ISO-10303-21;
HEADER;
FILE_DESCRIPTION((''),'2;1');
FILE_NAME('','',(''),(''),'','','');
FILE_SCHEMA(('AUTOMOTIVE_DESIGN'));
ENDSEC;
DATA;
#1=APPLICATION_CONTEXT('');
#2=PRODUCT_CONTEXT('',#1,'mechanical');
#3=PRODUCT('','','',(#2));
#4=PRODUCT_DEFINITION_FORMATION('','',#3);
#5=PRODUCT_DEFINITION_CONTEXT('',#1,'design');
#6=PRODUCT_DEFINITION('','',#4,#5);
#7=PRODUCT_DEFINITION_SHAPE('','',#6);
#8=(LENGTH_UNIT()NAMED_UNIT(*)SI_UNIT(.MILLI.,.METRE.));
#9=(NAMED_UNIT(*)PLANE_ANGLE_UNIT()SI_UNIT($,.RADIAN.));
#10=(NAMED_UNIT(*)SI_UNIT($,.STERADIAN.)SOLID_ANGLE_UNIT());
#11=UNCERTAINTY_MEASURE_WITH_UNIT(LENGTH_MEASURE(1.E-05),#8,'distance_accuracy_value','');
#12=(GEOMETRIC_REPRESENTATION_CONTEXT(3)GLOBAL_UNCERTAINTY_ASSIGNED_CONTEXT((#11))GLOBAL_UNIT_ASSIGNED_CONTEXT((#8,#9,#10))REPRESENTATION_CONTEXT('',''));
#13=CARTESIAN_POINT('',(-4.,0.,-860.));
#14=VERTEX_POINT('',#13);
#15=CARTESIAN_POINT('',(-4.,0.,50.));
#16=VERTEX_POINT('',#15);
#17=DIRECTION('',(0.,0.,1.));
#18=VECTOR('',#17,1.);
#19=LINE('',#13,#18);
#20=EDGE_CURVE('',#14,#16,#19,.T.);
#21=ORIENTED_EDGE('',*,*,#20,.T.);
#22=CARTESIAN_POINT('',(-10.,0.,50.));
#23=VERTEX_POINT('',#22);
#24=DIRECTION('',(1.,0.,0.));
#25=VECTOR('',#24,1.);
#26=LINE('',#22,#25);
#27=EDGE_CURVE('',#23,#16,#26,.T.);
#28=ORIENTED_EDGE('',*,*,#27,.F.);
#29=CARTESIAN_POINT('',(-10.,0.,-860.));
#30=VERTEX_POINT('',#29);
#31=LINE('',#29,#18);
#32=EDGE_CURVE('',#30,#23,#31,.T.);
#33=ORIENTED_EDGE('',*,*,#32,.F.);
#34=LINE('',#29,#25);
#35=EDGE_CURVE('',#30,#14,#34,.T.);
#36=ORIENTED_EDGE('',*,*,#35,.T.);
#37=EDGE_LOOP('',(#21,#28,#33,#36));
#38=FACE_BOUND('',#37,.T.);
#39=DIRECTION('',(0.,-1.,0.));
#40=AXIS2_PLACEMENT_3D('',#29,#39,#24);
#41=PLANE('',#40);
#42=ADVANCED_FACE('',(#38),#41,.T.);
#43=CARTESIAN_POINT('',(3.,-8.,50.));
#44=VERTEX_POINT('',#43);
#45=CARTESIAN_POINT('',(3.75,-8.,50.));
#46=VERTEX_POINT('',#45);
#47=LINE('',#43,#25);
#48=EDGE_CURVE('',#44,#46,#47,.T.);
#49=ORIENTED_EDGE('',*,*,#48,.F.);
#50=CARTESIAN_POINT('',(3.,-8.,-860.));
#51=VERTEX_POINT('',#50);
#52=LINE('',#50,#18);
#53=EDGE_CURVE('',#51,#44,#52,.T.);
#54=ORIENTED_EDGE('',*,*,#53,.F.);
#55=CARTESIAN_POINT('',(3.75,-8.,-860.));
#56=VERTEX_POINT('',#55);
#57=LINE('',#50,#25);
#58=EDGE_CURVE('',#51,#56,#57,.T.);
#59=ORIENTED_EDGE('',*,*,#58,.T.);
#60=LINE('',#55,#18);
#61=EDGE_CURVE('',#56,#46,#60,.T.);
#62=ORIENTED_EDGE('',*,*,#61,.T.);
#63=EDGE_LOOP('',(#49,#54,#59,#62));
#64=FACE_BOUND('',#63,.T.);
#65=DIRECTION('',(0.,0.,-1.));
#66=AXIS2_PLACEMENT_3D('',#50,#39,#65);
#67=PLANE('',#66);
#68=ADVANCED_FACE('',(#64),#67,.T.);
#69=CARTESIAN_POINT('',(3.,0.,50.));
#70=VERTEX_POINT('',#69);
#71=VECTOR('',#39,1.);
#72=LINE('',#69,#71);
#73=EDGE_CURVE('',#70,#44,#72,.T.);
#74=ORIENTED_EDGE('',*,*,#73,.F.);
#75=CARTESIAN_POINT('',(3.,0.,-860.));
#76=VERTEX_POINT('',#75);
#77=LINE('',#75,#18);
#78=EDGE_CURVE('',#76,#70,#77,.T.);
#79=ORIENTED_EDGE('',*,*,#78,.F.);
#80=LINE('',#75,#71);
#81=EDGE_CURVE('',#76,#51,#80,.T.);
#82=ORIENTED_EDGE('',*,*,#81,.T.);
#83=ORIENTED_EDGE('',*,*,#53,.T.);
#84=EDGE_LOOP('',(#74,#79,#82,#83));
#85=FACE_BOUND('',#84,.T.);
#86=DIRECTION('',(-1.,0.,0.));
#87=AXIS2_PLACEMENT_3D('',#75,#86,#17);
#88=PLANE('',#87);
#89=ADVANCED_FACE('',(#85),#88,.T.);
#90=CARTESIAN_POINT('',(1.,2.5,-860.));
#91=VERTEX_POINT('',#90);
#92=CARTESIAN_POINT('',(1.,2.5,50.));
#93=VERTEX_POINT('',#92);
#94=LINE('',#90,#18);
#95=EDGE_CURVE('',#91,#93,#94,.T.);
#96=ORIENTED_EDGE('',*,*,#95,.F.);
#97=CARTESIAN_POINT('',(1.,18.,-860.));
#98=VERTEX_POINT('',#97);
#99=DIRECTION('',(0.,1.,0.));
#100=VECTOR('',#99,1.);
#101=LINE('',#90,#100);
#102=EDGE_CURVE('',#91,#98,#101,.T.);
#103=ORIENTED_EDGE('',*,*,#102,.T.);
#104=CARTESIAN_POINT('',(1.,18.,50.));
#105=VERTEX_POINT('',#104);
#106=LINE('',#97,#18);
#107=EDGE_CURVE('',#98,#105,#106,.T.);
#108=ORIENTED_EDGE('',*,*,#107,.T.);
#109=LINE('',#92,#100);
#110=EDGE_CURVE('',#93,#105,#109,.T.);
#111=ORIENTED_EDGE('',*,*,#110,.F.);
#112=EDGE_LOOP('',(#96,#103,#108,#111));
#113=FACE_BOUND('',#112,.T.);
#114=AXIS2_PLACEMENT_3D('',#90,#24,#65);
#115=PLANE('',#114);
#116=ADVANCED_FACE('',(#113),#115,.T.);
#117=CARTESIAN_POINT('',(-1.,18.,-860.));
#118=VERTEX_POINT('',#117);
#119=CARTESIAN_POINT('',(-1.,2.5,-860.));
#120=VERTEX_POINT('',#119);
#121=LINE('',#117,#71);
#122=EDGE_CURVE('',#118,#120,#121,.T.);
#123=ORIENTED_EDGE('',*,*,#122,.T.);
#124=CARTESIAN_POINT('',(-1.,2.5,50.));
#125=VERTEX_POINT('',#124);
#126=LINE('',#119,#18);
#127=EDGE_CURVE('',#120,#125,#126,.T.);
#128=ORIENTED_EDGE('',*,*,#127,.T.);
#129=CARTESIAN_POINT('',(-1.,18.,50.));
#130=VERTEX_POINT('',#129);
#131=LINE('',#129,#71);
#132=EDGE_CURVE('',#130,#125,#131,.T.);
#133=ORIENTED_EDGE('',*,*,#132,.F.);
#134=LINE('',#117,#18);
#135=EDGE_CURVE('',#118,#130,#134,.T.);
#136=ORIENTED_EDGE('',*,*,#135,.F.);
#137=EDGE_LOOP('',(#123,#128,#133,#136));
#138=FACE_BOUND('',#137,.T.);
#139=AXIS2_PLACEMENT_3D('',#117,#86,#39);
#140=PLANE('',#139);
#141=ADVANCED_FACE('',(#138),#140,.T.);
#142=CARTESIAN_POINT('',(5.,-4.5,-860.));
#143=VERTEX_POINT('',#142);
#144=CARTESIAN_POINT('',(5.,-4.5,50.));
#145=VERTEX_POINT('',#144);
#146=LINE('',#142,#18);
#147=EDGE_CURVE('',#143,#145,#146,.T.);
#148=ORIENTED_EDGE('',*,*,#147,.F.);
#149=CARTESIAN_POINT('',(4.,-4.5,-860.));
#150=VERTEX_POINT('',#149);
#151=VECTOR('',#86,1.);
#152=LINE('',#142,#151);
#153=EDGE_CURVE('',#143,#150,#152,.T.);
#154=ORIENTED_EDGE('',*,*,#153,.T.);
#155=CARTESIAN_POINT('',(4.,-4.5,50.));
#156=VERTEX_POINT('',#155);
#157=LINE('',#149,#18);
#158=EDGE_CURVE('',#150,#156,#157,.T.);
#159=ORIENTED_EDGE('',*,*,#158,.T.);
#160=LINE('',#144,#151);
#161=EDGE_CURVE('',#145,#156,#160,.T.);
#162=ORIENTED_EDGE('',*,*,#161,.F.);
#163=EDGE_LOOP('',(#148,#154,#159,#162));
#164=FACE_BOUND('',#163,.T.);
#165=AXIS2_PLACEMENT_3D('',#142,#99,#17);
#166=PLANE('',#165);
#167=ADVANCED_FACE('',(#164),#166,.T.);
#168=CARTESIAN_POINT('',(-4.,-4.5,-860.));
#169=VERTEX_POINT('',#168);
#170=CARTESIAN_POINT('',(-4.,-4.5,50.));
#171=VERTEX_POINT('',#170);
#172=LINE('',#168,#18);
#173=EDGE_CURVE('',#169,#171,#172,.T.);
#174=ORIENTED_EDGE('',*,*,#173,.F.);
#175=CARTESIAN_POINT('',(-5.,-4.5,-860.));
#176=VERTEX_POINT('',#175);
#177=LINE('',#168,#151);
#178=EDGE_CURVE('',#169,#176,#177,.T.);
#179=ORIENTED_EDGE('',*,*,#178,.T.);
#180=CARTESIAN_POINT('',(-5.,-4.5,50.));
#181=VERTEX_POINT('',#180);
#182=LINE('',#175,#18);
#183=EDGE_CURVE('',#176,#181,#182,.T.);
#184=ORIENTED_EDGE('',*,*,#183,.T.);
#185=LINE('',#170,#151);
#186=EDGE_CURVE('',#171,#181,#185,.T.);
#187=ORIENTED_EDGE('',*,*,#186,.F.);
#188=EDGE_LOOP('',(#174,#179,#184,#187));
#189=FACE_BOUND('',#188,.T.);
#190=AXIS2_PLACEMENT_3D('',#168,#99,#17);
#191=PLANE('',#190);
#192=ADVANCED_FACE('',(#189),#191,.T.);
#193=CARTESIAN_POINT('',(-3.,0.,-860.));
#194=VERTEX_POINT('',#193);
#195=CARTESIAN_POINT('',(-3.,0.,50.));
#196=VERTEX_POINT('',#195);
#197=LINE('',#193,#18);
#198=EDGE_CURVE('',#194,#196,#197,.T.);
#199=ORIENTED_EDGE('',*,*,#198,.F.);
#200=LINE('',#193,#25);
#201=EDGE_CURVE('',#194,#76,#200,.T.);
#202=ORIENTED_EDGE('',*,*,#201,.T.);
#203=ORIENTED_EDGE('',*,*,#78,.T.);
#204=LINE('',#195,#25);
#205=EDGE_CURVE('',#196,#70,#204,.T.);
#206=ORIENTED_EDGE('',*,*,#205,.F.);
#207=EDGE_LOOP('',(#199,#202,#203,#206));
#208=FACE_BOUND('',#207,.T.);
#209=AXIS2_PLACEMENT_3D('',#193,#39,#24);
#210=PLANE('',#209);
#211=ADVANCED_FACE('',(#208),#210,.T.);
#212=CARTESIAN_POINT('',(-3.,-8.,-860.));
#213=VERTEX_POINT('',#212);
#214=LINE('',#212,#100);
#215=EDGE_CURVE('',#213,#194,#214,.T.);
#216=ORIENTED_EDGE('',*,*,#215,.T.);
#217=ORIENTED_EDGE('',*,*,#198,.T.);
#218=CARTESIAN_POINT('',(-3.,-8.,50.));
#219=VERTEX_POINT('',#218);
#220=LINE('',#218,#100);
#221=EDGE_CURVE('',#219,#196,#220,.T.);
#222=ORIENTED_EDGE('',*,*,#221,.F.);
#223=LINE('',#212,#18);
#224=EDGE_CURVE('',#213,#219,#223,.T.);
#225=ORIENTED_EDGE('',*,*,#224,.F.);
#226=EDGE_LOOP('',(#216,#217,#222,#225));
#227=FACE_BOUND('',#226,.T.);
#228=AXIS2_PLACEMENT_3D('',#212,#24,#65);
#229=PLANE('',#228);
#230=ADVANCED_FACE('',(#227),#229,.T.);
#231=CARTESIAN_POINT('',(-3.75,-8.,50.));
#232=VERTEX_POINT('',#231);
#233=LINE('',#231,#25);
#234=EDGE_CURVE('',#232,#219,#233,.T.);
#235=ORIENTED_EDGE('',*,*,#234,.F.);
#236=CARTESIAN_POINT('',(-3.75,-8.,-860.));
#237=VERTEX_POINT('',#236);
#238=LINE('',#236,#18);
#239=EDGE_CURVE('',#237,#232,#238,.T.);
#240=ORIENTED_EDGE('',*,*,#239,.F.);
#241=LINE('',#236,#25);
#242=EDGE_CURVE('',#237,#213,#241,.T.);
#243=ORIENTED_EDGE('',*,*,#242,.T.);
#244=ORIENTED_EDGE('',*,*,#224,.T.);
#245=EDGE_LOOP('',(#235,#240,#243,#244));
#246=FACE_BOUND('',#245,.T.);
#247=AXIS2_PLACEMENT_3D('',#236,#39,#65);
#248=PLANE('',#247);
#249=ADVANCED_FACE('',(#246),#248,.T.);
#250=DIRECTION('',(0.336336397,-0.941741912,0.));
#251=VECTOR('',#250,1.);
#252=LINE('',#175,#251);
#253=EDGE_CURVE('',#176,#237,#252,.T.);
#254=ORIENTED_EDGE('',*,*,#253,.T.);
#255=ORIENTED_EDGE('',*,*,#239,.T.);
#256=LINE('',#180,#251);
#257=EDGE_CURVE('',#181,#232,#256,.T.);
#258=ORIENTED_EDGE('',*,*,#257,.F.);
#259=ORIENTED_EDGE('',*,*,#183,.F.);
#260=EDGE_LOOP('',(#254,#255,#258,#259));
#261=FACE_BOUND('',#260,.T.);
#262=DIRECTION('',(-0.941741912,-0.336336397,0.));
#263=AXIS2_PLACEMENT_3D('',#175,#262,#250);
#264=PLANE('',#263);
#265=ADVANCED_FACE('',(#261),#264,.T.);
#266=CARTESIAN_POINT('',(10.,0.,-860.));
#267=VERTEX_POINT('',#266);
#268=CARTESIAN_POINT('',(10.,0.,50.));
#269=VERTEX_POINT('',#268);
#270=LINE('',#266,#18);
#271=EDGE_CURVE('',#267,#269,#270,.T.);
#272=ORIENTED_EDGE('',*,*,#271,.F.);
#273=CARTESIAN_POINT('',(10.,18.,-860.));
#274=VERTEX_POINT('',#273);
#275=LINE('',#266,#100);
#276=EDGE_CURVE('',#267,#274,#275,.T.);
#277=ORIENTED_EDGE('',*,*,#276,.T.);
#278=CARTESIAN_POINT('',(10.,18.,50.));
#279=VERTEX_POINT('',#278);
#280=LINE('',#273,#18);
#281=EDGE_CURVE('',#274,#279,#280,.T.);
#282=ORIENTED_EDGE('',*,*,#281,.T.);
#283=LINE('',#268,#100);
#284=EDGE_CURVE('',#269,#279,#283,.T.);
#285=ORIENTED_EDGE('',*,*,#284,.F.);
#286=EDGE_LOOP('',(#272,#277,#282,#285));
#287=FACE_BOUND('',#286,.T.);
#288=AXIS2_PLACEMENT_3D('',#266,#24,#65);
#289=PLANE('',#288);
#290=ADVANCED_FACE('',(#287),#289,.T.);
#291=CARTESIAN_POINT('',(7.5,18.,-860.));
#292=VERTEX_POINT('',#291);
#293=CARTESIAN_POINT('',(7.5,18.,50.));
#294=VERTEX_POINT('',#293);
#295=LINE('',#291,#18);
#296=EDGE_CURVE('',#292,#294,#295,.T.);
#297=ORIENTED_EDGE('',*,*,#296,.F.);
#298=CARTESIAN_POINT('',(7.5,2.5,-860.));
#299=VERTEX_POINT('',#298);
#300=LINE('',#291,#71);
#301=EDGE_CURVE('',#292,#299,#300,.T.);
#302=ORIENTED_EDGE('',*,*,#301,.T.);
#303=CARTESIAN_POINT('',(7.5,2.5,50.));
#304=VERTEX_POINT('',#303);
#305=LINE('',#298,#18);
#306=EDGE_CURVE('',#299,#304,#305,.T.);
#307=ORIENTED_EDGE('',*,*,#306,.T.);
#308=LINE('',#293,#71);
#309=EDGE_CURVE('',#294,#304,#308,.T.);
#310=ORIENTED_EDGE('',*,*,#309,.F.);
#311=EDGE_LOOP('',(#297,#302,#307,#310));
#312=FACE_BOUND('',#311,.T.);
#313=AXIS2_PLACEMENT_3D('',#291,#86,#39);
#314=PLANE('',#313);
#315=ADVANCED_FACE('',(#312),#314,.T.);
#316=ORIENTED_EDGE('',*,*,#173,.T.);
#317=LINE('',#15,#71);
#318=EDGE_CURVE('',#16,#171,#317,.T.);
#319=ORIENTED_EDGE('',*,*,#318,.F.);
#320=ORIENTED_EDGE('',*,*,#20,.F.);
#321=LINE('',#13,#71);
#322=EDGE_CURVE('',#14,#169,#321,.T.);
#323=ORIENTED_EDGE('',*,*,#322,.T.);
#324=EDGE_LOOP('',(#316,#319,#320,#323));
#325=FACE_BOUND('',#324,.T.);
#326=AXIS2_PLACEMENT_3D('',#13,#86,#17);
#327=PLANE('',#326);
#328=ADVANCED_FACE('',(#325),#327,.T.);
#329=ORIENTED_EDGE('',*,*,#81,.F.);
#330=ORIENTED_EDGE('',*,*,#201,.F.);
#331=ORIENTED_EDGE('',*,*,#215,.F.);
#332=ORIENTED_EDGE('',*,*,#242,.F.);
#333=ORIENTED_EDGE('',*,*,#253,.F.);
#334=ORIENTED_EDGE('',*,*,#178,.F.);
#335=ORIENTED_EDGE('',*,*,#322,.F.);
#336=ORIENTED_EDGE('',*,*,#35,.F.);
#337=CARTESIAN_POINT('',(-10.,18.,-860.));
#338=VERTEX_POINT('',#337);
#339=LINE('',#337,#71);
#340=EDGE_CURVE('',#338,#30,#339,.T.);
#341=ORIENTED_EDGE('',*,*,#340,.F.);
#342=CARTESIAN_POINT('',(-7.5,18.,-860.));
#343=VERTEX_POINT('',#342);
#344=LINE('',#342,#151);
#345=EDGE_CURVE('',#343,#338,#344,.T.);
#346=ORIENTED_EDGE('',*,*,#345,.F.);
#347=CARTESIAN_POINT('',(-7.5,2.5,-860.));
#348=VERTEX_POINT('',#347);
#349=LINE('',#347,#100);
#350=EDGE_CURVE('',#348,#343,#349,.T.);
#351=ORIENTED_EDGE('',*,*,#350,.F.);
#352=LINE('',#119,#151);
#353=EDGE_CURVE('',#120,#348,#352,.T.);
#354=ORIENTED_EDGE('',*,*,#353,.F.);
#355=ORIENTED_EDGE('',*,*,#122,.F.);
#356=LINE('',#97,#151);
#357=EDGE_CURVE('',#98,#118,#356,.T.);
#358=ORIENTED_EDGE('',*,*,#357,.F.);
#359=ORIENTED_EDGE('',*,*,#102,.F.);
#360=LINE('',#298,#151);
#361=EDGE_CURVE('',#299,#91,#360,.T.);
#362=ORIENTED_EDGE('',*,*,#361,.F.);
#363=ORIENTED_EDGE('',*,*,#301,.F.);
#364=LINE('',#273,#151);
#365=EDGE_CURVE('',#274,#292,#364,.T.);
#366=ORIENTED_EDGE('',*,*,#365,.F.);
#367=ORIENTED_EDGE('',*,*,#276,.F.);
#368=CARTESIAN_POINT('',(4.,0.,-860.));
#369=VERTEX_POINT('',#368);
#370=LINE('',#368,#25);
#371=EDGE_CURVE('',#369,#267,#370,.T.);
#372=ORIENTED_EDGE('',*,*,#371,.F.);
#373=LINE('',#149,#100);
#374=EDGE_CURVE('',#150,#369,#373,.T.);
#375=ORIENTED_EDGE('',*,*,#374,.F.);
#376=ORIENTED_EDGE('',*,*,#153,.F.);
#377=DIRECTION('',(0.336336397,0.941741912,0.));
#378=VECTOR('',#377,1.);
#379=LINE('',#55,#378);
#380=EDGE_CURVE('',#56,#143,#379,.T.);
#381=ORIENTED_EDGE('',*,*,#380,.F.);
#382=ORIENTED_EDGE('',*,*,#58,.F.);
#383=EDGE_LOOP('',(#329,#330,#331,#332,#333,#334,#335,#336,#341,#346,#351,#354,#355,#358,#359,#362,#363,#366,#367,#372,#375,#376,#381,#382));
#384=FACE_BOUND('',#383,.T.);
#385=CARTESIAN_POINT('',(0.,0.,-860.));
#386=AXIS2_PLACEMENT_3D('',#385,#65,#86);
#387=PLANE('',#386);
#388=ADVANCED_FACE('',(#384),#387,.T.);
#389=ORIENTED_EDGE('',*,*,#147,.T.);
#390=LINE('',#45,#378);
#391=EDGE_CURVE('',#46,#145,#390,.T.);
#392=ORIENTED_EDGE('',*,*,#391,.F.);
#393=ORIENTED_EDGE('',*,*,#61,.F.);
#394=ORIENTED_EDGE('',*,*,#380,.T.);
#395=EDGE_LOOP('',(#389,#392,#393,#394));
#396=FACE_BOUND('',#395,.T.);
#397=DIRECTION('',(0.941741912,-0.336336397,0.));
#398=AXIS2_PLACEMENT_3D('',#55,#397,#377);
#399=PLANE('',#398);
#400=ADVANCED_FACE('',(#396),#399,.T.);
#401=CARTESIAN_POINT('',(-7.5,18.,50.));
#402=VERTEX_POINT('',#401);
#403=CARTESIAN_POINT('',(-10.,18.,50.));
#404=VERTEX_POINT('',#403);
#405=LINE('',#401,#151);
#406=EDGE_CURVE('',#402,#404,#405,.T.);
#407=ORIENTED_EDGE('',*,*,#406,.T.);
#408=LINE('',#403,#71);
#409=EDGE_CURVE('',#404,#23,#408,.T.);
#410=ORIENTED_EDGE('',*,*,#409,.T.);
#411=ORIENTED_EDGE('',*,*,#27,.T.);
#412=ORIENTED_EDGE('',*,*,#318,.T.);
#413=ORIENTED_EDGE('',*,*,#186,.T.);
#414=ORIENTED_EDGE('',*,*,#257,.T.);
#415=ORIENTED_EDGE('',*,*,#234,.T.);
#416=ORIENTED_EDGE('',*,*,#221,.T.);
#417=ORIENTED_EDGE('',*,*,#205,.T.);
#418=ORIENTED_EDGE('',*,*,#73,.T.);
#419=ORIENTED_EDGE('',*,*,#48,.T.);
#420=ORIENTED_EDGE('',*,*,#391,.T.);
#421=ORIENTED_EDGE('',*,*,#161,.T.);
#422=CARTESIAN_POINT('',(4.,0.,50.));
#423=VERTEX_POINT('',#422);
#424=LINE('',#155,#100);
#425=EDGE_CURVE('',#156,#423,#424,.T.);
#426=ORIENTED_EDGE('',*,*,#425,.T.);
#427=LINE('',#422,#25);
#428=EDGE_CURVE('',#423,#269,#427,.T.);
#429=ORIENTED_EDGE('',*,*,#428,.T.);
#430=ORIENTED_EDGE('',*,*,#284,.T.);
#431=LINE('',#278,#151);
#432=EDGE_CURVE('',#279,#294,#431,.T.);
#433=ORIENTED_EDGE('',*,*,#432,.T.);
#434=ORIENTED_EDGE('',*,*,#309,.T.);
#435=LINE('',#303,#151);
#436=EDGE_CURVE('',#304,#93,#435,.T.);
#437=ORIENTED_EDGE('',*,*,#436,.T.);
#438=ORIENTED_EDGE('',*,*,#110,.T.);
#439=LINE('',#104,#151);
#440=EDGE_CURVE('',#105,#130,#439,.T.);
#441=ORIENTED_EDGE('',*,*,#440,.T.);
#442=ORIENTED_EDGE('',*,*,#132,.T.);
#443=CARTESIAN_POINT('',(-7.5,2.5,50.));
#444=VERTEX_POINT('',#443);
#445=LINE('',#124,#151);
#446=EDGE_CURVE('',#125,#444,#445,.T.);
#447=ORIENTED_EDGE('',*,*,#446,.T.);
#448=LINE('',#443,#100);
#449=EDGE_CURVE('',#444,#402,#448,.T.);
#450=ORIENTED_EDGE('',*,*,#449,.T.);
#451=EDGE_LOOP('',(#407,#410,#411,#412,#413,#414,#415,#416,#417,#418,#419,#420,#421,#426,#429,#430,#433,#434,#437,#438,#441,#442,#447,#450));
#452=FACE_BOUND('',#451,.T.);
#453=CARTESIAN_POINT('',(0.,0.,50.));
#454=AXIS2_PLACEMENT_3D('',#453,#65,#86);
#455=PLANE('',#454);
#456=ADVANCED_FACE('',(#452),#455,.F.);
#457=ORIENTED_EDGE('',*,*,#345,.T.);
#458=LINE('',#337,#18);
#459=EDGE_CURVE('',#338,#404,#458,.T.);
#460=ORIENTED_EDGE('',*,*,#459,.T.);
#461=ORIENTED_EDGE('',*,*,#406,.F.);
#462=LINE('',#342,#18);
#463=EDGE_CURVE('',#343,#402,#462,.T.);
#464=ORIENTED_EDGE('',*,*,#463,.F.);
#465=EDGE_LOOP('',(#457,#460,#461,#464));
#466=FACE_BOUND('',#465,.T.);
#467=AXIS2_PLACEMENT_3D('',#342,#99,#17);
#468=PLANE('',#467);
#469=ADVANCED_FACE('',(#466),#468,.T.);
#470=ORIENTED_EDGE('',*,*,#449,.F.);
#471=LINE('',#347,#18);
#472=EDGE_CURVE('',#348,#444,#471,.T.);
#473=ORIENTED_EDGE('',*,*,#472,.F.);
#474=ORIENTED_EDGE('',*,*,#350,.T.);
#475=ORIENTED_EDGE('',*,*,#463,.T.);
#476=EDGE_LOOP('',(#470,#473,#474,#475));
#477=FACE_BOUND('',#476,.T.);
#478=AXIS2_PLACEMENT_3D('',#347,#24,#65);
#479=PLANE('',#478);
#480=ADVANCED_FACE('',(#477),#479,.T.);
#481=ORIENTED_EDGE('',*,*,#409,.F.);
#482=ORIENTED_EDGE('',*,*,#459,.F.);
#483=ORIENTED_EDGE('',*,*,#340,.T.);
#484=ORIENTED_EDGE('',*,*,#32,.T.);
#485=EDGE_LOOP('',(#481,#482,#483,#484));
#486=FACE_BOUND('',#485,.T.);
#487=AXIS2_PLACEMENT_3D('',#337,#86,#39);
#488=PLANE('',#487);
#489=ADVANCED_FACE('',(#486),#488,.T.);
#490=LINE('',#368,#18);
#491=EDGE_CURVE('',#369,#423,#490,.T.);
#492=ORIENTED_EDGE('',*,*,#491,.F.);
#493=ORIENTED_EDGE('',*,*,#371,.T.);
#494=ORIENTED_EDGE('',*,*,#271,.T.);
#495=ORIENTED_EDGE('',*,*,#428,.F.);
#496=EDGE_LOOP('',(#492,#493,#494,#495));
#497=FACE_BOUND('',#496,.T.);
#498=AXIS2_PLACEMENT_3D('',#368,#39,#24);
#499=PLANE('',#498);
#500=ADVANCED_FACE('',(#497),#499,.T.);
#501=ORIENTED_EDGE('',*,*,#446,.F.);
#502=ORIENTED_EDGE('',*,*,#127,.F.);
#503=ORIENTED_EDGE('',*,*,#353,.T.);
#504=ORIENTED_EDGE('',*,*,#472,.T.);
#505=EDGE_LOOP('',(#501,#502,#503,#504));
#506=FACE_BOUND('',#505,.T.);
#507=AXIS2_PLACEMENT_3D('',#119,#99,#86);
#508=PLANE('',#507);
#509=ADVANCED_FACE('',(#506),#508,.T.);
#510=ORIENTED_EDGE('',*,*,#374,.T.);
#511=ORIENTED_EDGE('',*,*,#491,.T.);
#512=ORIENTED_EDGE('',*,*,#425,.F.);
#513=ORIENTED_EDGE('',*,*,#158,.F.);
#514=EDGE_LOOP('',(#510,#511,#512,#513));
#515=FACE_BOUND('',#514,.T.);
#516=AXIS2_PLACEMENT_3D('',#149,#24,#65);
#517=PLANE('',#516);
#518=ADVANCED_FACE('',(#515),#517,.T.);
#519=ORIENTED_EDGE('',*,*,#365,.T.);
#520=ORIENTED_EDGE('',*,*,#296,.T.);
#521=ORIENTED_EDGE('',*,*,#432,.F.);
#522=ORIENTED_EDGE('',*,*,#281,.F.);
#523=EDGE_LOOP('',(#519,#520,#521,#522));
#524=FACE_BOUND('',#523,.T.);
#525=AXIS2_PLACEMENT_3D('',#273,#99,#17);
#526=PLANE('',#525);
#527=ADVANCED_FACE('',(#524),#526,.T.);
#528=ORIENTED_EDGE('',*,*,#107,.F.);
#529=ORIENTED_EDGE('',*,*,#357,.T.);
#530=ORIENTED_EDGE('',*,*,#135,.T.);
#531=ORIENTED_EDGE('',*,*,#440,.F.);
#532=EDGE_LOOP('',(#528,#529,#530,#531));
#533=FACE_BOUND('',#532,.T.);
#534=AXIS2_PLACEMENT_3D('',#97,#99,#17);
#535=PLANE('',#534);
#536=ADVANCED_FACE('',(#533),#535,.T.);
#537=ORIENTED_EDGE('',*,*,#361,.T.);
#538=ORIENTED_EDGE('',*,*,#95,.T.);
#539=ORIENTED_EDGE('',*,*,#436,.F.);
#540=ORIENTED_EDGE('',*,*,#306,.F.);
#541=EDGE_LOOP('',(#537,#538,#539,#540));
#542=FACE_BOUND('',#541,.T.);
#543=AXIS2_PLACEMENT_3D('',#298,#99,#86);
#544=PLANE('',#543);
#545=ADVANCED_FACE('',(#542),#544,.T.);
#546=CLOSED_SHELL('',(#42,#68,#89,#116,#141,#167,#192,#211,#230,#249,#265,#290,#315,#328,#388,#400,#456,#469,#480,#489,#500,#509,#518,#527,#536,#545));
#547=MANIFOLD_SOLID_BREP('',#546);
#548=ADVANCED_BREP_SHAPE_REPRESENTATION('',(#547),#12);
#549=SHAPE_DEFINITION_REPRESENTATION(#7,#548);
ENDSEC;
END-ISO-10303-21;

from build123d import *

# Parameters (mm, degrees)
BOSS_EXTRU_1_DEPTH = 910


with BuildPart() as part:
    # Esquisse1 → Boss.-Extru.1 (new body)
    with BuildSketch(Plane.XY.offset(50)):
        Polygon((-1, 2.5), (-7.5, 2.5), (-7.5, 17.999999998), (-10, 17.999999998), (-10, 0), (-4, 0), (-4, -4.5), (-5, -4.5), (-3.75, -8), (-3, -8), (-3, 0), (3, 0), (3, -8), (3.75, -8), (5, -4.5), (4, -4.5), (4, 0), (10, 0), (10, 17.999999998), (7.5, 17.999999998), (7.5, 2.5), (1, 2.5), (1, 17.999999998), (-1, 17.999999998), align=None)
    extrude(amount=-BOSS_EXTRU_1_DEPTH)


solid = part.part
